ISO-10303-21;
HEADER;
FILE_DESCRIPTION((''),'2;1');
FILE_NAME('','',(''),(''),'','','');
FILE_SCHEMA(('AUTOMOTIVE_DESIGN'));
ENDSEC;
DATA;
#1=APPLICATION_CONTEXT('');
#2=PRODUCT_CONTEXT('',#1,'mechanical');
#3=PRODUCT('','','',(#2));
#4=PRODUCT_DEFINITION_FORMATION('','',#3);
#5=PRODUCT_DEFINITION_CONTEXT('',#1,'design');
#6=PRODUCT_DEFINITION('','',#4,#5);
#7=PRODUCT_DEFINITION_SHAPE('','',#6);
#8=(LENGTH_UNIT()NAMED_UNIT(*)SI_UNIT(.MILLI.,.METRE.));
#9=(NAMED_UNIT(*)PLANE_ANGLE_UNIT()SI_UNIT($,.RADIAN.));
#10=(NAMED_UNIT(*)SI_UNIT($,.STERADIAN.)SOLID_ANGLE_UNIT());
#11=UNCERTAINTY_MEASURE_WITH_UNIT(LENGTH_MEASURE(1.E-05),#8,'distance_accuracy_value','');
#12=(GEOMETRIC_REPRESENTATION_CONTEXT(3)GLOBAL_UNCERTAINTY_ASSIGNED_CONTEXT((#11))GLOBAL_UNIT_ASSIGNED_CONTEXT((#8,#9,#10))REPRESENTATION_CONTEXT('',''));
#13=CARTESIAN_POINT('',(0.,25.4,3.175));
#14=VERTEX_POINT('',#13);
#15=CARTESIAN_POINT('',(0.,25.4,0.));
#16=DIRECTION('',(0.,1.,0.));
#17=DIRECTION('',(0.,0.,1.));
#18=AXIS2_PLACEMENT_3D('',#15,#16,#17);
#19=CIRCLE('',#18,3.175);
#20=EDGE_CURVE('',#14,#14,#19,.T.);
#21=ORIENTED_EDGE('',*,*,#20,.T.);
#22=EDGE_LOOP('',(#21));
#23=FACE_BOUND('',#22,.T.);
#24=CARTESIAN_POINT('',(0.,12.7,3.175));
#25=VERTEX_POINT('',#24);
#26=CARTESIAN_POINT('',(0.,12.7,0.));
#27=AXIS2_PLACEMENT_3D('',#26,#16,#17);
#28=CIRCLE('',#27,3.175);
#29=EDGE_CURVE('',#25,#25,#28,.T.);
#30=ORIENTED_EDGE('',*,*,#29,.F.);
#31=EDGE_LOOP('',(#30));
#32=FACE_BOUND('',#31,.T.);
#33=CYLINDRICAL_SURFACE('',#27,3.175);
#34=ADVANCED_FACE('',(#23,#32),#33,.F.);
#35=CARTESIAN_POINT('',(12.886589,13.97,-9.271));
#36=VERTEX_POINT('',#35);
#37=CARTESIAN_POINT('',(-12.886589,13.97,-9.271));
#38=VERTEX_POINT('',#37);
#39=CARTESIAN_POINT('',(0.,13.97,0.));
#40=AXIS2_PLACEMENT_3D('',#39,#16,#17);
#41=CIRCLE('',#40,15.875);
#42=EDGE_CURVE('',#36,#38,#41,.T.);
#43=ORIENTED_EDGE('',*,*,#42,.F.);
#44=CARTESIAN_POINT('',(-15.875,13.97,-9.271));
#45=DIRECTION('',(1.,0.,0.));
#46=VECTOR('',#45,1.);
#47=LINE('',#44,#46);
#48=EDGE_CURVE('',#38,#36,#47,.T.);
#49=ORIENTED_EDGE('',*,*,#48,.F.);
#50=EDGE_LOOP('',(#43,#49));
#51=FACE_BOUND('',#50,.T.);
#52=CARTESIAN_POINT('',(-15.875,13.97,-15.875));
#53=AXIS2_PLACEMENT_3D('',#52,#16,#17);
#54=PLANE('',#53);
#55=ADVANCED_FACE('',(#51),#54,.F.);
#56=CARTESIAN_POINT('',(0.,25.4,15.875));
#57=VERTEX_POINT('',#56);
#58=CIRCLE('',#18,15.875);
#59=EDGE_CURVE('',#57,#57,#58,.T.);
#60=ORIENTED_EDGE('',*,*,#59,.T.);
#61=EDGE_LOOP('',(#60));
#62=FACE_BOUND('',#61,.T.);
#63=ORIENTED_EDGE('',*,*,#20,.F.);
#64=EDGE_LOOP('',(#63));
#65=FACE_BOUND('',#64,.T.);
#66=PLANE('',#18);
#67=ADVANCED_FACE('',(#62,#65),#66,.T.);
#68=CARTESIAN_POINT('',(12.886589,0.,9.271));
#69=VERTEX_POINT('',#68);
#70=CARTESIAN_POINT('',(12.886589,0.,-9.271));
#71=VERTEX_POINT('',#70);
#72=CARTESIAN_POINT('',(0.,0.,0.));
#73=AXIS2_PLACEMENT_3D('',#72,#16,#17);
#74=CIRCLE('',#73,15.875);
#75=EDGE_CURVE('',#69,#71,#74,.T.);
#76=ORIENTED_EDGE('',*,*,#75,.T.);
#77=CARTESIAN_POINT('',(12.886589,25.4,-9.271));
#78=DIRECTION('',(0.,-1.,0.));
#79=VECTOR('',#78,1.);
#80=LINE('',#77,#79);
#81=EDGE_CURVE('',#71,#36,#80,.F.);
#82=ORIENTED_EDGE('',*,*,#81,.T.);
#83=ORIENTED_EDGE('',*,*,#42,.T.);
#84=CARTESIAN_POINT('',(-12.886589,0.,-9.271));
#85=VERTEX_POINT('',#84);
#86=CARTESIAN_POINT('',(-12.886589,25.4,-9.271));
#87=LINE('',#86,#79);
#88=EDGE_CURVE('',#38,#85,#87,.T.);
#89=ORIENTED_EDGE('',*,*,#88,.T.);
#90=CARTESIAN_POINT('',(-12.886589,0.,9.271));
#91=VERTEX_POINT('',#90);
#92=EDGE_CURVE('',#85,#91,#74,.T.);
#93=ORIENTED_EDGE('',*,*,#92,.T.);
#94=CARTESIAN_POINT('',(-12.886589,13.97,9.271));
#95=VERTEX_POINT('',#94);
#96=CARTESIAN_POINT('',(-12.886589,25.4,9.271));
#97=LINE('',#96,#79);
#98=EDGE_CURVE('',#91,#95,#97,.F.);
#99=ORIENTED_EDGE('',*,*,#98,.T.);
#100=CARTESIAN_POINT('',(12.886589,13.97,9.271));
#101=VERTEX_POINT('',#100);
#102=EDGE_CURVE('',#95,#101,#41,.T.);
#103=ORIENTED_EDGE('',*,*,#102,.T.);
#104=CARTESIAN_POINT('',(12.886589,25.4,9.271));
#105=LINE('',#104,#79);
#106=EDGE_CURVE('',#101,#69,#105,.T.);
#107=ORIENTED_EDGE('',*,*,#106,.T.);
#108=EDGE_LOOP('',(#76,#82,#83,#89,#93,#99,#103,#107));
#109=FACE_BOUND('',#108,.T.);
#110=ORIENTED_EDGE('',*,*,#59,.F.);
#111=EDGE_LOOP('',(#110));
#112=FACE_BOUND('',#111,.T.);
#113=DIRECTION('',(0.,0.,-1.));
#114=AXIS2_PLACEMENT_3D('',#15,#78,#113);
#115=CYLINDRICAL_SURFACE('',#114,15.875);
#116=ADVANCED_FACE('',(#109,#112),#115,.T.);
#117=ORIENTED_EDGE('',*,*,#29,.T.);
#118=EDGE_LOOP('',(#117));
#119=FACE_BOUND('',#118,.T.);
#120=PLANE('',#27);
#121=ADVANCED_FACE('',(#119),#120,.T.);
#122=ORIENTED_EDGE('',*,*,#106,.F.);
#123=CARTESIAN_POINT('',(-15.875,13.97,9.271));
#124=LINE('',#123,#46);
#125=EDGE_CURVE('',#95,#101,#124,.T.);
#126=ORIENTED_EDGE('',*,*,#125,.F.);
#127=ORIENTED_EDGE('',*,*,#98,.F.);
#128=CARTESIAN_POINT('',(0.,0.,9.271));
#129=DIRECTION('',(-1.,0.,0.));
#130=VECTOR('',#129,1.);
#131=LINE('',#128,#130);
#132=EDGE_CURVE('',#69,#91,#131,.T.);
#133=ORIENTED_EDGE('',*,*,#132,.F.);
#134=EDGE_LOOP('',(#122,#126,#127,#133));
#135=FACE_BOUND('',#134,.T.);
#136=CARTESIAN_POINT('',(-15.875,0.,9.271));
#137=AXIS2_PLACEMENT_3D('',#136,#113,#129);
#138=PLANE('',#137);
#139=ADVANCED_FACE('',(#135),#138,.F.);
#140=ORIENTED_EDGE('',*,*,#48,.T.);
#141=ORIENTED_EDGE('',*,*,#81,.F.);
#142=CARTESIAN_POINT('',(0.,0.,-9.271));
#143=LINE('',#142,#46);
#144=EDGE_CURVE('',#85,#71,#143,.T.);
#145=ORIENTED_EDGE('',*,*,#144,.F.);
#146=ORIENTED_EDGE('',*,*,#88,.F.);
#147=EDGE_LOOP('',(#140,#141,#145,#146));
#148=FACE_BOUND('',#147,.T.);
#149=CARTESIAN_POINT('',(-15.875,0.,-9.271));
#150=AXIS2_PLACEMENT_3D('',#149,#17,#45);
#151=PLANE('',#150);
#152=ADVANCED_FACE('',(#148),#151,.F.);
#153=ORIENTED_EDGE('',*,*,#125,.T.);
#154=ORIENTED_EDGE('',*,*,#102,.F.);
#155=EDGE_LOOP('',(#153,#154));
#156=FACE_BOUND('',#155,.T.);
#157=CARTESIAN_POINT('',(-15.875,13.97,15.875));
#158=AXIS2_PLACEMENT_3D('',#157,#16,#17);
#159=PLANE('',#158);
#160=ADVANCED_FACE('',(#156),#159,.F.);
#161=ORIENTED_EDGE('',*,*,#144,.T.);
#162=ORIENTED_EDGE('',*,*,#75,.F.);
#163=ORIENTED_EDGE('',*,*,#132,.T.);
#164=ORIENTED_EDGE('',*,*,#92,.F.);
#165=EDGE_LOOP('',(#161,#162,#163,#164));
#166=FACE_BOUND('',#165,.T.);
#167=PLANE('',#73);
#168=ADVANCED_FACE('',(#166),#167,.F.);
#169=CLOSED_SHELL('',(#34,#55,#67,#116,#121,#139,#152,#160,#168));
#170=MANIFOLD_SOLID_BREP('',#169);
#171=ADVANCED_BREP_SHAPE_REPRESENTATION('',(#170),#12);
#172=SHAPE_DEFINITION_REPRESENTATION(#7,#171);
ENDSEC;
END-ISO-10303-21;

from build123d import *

# Parameters (mm, degrees)
SKETCH1_R               = 15.875
BOSS_EXTRUDE1_DEPTH     = 25.4
CUT_EXTRUDE1_DEPTH      = 34.89972345
CUT_EXTRUDE1_DEPTH_BACK = 34.89972345
SKETCH2_W               = 6.604
SKETCH2_H               = 13.97
SKETCH3_R               = 3.175
CUT_EXTRUDE2_DEPTH      = 12.7


with BuildPart() as part:
    # Sketch1 → Boss-Extrude1 (new body)
    with BuildSketch(Plane(origin=(0, 0, 0), x_dir=(1, 0, 0), z_dir=(0, 1, 0))):
        with Locations(Location((0, 0, 0), (0, 0, 270))):
            Circle(SKETCH1_R)
    extrude(amount=BOSS_EXTRUDE1_DEPTH)

    # Sketch2 → Cut-Extrude1 (cut, two sides: drawn at the far end of the back side and taken through both)
    with BuildSketch(Plane(origin=(0, 0, 0), x_dir=(0, 0, -1), z_dir=(1, 0, 0)).offset(-CUT_EXTRUDE1_DEPTH_BACK)):
        with Locations((12.573, 6.985)):
            Rectangle(SKETCH2_W, SKETCH2_H)
        with Locations((-12.573, 6.985)):
            Rectangle(SKETCH2_W, SKETCH2_H)
    extrude(amount=CUT_EXTRUDE1_DEPTH + CUT_EXTRUDE1_DEPTH_BACK, mode=Mode.SUBTRACT)

    # Sketch3 → Cut-Extrude2 (cut)
    with BuildSketch(Plane(origin=(0, 25.4, 0), x_dir=(1, 0, 0), z_dir=(0, 1, 0))):
        with Locations(Location((0, 0, 0), (0, 0, 270))):
            Circle(SKETCH3_R)
    extrude(amount=-CUT_EXTRUDE2_DEPTH, mode=Mode.SUBTRACT)


solid = part.part
